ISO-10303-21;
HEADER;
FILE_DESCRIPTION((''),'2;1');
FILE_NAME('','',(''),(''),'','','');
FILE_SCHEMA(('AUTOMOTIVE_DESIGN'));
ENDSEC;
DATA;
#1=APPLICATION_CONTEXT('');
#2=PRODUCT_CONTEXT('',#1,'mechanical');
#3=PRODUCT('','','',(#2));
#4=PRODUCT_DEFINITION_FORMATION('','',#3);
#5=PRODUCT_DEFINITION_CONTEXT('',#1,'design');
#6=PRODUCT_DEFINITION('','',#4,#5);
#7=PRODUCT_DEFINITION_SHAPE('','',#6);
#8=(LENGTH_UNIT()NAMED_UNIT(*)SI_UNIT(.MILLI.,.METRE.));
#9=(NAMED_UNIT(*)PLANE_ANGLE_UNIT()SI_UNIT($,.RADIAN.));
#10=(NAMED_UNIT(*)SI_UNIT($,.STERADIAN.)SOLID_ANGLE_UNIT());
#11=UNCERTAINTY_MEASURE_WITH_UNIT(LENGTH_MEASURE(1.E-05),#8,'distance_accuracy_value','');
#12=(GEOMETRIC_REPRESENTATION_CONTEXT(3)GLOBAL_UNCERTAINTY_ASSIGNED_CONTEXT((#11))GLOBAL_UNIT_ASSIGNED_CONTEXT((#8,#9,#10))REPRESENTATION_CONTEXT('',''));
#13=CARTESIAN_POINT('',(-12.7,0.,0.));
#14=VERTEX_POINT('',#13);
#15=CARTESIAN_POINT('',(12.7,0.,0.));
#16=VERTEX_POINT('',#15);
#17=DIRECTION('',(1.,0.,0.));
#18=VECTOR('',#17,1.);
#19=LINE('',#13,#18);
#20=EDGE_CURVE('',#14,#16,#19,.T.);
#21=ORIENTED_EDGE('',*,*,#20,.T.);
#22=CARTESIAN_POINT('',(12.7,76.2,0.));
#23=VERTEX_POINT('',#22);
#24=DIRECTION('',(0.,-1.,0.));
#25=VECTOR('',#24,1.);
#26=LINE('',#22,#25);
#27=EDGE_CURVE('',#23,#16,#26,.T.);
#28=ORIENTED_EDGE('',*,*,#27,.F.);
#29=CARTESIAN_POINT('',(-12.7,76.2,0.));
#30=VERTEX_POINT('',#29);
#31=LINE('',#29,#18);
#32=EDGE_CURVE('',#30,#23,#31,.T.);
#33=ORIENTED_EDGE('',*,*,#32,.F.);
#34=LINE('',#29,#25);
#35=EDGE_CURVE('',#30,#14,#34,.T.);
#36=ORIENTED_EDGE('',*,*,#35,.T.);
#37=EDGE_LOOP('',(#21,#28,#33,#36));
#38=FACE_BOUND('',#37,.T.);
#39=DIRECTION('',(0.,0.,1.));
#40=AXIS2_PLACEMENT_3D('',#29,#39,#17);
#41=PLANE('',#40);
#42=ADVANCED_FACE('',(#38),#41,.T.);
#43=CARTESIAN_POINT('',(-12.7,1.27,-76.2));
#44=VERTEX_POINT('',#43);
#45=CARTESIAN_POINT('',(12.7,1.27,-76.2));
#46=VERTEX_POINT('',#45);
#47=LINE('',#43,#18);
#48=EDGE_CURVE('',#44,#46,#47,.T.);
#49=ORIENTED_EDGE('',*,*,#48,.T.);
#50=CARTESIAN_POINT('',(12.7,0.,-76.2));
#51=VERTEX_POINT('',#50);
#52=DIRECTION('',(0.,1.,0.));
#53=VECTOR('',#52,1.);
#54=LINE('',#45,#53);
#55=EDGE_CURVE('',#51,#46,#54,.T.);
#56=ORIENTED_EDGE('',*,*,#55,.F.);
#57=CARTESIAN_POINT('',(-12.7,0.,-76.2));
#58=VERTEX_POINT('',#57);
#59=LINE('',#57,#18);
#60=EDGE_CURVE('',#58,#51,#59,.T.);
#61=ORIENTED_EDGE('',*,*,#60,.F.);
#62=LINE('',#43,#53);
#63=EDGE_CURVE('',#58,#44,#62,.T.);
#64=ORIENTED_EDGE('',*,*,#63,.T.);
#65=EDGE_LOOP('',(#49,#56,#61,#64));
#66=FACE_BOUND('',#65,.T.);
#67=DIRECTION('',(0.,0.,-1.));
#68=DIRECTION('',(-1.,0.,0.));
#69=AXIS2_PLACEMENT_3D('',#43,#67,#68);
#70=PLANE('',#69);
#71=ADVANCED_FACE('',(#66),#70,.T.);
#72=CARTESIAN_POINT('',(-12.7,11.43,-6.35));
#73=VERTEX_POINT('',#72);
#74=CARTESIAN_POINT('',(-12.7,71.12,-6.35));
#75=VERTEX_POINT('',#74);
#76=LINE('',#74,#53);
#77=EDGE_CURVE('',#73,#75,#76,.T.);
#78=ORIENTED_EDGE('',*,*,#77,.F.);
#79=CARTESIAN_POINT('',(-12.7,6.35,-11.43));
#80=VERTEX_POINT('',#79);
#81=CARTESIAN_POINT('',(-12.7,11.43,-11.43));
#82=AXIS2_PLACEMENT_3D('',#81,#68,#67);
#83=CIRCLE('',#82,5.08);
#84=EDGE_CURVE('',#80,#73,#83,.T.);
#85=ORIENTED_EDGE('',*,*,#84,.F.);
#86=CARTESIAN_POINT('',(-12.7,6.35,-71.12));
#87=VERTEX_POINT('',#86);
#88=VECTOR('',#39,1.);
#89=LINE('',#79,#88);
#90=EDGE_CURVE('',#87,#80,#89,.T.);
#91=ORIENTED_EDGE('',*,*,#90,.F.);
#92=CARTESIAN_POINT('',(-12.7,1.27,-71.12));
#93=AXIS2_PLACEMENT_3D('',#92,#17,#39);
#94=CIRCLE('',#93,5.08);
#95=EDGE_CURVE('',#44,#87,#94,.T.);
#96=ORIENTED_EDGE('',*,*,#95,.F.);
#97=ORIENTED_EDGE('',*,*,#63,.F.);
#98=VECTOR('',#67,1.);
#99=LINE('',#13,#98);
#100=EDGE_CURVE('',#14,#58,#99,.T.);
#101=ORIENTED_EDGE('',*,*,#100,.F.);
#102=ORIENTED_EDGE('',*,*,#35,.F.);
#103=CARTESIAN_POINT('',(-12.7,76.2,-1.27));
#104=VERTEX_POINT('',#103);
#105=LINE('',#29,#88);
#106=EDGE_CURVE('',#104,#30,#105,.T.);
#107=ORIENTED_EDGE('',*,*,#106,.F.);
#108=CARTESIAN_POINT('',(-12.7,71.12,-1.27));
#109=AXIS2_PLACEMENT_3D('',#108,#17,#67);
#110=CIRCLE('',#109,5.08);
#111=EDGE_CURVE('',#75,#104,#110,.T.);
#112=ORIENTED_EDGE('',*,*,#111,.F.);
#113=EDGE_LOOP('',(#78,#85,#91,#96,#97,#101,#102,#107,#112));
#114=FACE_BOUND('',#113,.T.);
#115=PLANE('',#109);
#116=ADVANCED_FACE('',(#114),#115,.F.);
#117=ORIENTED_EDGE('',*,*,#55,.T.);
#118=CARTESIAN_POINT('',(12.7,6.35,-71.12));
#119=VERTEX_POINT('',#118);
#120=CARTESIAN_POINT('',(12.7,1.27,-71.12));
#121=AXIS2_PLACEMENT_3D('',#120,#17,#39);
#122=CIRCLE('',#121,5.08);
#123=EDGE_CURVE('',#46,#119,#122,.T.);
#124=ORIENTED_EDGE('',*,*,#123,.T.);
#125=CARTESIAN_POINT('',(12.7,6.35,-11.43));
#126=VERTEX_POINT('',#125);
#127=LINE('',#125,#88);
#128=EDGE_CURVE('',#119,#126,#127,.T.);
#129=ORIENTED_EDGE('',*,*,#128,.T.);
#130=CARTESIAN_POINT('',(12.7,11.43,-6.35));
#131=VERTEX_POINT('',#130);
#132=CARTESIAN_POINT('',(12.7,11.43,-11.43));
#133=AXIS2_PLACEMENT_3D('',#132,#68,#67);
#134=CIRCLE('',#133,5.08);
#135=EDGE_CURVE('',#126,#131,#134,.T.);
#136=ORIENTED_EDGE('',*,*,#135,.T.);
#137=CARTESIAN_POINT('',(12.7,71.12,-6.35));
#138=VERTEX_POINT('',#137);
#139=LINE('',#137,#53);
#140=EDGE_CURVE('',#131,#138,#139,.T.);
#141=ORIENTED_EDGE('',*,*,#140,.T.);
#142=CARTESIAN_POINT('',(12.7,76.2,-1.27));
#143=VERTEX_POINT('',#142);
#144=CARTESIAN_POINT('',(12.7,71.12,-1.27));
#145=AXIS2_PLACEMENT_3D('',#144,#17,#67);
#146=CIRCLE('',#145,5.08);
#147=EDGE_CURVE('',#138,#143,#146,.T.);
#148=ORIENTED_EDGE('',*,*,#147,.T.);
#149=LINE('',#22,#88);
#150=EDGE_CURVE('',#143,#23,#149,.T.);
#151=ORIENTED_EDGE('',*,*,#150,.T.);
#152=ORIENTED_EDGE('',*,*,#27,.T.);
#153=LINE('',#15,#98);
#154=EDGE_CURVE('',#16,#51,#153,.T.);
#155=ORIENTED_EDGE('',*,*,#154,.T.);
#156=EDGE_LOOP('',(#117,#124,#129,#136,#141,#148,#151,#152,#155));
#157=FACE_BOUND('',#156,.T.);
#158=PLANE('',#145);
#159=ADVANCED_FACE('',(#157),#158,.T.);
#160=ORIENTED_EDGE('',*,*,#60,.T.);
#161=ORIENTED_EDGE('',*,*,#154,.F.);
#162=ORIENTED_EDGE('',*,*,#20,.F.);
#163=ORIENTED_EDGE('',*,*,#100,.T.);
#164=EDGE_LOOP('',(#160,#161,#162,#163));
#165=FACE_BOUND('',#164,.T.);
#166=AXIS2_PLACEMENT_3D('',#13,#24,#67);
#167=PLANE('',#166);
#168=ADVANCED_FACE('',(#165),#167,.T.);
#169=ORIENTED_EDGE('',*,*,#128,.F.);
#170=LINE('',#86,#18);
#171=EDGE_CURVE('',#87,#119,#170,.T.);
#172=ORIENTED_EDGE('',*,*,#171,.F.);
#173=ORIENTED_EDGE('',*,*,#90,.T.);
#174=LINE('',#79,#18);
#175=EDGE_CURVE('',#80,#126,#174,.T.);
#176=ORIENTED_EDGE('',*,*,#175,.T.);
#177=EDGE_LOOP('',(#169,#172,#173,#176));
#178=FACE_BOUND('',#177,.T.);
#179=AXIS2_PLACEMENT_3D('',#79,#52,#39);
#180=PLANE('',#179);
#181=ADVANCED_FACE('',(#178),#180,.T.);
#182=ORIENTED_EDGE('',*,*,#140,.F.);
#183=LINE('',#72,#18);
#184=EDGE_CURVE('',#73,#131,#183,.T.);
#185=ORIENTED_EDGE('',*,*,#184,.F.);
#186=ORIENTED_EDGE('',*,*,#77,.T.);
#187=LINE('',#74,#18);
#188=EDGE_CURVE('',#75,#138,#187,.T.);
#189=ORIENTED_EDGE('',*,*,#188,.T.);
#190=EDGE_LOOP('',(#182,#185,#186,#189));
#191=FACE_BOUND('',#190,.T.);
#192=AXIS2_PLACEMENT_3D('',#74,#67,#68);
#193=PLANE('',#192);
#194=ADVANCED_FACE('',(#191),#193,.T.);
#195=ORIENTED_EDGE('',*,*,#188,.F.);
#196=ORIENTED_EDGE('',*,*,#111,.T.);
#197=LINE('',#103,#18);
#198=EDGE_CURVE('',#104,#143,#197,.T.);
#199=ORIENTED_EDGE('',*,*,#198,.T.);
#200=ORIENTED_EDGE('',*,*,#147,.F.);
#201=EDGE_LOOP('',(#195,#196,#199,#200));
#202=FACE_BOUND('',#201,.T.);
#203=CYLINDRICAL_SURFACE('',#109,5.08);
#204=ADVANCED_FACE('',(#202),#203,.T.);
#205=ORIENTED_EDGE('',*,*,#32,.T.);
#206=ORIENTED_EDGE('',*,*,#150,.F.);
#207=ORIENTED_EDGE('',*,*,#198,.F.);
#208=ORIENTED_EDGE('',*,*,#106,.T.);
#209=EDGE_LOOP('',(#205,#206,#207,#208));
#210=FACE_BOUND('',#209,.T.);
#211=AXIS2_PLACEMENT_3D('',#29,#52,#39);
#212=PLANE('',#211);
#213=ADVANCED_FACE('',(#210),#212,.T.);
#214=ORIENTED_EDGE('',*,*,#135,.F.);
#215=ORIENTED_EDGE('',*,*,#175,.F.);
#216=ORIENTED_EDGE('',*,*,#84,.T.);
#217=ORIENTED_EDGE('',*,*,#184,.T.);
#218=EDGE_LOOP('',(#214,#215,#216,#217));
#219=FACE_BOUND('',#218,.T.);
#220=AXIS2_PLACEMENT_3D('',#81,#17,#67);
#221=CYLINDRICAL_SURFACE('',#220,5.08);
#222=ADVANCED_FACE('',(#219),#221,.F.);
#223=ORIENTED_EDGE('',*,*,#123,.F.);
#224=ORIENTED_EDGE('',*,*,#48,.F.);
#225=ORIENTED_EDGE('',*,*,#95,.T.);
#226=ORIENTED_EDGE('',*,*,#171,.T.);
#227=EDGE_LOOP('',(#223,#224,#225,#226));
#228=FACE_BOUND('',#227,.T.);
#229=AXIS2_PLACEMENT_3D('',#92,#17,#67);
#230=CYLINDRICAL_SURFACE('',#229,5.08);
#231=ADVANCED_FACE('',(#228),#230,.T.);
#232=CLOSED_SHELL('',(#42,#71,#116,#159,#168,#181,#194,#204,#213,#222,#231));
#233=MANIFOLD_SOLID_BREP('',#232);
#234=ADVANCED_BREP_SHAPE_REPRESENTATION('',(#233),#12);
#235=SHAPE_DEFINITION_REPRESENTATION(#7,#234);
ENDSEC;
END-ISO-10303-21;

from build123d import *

# Parameters (mm, degrees)
BOSS_EXTRUDE1_DEPTH      = 12.7
BOSS_EXTRUDE1_DEPTH_BACK = 12.7


with BuildPart() as part:
    # Sketch1 → Boss-Extrude1 (new, two sides: drawn at the far end of the back side and taken through both)
    with BuildSketch(Plane(origin=(0, 0, 0), x_dir=(0, 0, -1), z_dir=(1, 0, 0)).offset(-BOSS_EXTRUDE1_DEPTH_BACK)):
        with BuildLine():
            Line((0, 76.2), (0, 0))
            Line((0, 0), (76.2, 0))
            Line((76.2, 0), (76.2, 1.27))
            ThreePointArc((76.2, 1.27), (74.712102448, 4.862102448), (71.12, 6.35))
            Line((71.12, 6.35), (11.43, 6.35))
            ThreePointArc((11.43, 6.35), (7.837897552, 7.837897552), (6.35, 11.43))
            Line((6.35, 11.43), (6.35, 71.12))
            ThreePointArc((6.35, 71.12), (4.862102448, 74.712102448), (1.27, 76.2))
            Line((1.27, 76.2), (0, 76.2))
        make_face()
    extrude(amount=BOSS_EXTRUDE1_DEPTH + BOSS_EXTRUDE1_DEPTH_BACK)


solid = part.part
